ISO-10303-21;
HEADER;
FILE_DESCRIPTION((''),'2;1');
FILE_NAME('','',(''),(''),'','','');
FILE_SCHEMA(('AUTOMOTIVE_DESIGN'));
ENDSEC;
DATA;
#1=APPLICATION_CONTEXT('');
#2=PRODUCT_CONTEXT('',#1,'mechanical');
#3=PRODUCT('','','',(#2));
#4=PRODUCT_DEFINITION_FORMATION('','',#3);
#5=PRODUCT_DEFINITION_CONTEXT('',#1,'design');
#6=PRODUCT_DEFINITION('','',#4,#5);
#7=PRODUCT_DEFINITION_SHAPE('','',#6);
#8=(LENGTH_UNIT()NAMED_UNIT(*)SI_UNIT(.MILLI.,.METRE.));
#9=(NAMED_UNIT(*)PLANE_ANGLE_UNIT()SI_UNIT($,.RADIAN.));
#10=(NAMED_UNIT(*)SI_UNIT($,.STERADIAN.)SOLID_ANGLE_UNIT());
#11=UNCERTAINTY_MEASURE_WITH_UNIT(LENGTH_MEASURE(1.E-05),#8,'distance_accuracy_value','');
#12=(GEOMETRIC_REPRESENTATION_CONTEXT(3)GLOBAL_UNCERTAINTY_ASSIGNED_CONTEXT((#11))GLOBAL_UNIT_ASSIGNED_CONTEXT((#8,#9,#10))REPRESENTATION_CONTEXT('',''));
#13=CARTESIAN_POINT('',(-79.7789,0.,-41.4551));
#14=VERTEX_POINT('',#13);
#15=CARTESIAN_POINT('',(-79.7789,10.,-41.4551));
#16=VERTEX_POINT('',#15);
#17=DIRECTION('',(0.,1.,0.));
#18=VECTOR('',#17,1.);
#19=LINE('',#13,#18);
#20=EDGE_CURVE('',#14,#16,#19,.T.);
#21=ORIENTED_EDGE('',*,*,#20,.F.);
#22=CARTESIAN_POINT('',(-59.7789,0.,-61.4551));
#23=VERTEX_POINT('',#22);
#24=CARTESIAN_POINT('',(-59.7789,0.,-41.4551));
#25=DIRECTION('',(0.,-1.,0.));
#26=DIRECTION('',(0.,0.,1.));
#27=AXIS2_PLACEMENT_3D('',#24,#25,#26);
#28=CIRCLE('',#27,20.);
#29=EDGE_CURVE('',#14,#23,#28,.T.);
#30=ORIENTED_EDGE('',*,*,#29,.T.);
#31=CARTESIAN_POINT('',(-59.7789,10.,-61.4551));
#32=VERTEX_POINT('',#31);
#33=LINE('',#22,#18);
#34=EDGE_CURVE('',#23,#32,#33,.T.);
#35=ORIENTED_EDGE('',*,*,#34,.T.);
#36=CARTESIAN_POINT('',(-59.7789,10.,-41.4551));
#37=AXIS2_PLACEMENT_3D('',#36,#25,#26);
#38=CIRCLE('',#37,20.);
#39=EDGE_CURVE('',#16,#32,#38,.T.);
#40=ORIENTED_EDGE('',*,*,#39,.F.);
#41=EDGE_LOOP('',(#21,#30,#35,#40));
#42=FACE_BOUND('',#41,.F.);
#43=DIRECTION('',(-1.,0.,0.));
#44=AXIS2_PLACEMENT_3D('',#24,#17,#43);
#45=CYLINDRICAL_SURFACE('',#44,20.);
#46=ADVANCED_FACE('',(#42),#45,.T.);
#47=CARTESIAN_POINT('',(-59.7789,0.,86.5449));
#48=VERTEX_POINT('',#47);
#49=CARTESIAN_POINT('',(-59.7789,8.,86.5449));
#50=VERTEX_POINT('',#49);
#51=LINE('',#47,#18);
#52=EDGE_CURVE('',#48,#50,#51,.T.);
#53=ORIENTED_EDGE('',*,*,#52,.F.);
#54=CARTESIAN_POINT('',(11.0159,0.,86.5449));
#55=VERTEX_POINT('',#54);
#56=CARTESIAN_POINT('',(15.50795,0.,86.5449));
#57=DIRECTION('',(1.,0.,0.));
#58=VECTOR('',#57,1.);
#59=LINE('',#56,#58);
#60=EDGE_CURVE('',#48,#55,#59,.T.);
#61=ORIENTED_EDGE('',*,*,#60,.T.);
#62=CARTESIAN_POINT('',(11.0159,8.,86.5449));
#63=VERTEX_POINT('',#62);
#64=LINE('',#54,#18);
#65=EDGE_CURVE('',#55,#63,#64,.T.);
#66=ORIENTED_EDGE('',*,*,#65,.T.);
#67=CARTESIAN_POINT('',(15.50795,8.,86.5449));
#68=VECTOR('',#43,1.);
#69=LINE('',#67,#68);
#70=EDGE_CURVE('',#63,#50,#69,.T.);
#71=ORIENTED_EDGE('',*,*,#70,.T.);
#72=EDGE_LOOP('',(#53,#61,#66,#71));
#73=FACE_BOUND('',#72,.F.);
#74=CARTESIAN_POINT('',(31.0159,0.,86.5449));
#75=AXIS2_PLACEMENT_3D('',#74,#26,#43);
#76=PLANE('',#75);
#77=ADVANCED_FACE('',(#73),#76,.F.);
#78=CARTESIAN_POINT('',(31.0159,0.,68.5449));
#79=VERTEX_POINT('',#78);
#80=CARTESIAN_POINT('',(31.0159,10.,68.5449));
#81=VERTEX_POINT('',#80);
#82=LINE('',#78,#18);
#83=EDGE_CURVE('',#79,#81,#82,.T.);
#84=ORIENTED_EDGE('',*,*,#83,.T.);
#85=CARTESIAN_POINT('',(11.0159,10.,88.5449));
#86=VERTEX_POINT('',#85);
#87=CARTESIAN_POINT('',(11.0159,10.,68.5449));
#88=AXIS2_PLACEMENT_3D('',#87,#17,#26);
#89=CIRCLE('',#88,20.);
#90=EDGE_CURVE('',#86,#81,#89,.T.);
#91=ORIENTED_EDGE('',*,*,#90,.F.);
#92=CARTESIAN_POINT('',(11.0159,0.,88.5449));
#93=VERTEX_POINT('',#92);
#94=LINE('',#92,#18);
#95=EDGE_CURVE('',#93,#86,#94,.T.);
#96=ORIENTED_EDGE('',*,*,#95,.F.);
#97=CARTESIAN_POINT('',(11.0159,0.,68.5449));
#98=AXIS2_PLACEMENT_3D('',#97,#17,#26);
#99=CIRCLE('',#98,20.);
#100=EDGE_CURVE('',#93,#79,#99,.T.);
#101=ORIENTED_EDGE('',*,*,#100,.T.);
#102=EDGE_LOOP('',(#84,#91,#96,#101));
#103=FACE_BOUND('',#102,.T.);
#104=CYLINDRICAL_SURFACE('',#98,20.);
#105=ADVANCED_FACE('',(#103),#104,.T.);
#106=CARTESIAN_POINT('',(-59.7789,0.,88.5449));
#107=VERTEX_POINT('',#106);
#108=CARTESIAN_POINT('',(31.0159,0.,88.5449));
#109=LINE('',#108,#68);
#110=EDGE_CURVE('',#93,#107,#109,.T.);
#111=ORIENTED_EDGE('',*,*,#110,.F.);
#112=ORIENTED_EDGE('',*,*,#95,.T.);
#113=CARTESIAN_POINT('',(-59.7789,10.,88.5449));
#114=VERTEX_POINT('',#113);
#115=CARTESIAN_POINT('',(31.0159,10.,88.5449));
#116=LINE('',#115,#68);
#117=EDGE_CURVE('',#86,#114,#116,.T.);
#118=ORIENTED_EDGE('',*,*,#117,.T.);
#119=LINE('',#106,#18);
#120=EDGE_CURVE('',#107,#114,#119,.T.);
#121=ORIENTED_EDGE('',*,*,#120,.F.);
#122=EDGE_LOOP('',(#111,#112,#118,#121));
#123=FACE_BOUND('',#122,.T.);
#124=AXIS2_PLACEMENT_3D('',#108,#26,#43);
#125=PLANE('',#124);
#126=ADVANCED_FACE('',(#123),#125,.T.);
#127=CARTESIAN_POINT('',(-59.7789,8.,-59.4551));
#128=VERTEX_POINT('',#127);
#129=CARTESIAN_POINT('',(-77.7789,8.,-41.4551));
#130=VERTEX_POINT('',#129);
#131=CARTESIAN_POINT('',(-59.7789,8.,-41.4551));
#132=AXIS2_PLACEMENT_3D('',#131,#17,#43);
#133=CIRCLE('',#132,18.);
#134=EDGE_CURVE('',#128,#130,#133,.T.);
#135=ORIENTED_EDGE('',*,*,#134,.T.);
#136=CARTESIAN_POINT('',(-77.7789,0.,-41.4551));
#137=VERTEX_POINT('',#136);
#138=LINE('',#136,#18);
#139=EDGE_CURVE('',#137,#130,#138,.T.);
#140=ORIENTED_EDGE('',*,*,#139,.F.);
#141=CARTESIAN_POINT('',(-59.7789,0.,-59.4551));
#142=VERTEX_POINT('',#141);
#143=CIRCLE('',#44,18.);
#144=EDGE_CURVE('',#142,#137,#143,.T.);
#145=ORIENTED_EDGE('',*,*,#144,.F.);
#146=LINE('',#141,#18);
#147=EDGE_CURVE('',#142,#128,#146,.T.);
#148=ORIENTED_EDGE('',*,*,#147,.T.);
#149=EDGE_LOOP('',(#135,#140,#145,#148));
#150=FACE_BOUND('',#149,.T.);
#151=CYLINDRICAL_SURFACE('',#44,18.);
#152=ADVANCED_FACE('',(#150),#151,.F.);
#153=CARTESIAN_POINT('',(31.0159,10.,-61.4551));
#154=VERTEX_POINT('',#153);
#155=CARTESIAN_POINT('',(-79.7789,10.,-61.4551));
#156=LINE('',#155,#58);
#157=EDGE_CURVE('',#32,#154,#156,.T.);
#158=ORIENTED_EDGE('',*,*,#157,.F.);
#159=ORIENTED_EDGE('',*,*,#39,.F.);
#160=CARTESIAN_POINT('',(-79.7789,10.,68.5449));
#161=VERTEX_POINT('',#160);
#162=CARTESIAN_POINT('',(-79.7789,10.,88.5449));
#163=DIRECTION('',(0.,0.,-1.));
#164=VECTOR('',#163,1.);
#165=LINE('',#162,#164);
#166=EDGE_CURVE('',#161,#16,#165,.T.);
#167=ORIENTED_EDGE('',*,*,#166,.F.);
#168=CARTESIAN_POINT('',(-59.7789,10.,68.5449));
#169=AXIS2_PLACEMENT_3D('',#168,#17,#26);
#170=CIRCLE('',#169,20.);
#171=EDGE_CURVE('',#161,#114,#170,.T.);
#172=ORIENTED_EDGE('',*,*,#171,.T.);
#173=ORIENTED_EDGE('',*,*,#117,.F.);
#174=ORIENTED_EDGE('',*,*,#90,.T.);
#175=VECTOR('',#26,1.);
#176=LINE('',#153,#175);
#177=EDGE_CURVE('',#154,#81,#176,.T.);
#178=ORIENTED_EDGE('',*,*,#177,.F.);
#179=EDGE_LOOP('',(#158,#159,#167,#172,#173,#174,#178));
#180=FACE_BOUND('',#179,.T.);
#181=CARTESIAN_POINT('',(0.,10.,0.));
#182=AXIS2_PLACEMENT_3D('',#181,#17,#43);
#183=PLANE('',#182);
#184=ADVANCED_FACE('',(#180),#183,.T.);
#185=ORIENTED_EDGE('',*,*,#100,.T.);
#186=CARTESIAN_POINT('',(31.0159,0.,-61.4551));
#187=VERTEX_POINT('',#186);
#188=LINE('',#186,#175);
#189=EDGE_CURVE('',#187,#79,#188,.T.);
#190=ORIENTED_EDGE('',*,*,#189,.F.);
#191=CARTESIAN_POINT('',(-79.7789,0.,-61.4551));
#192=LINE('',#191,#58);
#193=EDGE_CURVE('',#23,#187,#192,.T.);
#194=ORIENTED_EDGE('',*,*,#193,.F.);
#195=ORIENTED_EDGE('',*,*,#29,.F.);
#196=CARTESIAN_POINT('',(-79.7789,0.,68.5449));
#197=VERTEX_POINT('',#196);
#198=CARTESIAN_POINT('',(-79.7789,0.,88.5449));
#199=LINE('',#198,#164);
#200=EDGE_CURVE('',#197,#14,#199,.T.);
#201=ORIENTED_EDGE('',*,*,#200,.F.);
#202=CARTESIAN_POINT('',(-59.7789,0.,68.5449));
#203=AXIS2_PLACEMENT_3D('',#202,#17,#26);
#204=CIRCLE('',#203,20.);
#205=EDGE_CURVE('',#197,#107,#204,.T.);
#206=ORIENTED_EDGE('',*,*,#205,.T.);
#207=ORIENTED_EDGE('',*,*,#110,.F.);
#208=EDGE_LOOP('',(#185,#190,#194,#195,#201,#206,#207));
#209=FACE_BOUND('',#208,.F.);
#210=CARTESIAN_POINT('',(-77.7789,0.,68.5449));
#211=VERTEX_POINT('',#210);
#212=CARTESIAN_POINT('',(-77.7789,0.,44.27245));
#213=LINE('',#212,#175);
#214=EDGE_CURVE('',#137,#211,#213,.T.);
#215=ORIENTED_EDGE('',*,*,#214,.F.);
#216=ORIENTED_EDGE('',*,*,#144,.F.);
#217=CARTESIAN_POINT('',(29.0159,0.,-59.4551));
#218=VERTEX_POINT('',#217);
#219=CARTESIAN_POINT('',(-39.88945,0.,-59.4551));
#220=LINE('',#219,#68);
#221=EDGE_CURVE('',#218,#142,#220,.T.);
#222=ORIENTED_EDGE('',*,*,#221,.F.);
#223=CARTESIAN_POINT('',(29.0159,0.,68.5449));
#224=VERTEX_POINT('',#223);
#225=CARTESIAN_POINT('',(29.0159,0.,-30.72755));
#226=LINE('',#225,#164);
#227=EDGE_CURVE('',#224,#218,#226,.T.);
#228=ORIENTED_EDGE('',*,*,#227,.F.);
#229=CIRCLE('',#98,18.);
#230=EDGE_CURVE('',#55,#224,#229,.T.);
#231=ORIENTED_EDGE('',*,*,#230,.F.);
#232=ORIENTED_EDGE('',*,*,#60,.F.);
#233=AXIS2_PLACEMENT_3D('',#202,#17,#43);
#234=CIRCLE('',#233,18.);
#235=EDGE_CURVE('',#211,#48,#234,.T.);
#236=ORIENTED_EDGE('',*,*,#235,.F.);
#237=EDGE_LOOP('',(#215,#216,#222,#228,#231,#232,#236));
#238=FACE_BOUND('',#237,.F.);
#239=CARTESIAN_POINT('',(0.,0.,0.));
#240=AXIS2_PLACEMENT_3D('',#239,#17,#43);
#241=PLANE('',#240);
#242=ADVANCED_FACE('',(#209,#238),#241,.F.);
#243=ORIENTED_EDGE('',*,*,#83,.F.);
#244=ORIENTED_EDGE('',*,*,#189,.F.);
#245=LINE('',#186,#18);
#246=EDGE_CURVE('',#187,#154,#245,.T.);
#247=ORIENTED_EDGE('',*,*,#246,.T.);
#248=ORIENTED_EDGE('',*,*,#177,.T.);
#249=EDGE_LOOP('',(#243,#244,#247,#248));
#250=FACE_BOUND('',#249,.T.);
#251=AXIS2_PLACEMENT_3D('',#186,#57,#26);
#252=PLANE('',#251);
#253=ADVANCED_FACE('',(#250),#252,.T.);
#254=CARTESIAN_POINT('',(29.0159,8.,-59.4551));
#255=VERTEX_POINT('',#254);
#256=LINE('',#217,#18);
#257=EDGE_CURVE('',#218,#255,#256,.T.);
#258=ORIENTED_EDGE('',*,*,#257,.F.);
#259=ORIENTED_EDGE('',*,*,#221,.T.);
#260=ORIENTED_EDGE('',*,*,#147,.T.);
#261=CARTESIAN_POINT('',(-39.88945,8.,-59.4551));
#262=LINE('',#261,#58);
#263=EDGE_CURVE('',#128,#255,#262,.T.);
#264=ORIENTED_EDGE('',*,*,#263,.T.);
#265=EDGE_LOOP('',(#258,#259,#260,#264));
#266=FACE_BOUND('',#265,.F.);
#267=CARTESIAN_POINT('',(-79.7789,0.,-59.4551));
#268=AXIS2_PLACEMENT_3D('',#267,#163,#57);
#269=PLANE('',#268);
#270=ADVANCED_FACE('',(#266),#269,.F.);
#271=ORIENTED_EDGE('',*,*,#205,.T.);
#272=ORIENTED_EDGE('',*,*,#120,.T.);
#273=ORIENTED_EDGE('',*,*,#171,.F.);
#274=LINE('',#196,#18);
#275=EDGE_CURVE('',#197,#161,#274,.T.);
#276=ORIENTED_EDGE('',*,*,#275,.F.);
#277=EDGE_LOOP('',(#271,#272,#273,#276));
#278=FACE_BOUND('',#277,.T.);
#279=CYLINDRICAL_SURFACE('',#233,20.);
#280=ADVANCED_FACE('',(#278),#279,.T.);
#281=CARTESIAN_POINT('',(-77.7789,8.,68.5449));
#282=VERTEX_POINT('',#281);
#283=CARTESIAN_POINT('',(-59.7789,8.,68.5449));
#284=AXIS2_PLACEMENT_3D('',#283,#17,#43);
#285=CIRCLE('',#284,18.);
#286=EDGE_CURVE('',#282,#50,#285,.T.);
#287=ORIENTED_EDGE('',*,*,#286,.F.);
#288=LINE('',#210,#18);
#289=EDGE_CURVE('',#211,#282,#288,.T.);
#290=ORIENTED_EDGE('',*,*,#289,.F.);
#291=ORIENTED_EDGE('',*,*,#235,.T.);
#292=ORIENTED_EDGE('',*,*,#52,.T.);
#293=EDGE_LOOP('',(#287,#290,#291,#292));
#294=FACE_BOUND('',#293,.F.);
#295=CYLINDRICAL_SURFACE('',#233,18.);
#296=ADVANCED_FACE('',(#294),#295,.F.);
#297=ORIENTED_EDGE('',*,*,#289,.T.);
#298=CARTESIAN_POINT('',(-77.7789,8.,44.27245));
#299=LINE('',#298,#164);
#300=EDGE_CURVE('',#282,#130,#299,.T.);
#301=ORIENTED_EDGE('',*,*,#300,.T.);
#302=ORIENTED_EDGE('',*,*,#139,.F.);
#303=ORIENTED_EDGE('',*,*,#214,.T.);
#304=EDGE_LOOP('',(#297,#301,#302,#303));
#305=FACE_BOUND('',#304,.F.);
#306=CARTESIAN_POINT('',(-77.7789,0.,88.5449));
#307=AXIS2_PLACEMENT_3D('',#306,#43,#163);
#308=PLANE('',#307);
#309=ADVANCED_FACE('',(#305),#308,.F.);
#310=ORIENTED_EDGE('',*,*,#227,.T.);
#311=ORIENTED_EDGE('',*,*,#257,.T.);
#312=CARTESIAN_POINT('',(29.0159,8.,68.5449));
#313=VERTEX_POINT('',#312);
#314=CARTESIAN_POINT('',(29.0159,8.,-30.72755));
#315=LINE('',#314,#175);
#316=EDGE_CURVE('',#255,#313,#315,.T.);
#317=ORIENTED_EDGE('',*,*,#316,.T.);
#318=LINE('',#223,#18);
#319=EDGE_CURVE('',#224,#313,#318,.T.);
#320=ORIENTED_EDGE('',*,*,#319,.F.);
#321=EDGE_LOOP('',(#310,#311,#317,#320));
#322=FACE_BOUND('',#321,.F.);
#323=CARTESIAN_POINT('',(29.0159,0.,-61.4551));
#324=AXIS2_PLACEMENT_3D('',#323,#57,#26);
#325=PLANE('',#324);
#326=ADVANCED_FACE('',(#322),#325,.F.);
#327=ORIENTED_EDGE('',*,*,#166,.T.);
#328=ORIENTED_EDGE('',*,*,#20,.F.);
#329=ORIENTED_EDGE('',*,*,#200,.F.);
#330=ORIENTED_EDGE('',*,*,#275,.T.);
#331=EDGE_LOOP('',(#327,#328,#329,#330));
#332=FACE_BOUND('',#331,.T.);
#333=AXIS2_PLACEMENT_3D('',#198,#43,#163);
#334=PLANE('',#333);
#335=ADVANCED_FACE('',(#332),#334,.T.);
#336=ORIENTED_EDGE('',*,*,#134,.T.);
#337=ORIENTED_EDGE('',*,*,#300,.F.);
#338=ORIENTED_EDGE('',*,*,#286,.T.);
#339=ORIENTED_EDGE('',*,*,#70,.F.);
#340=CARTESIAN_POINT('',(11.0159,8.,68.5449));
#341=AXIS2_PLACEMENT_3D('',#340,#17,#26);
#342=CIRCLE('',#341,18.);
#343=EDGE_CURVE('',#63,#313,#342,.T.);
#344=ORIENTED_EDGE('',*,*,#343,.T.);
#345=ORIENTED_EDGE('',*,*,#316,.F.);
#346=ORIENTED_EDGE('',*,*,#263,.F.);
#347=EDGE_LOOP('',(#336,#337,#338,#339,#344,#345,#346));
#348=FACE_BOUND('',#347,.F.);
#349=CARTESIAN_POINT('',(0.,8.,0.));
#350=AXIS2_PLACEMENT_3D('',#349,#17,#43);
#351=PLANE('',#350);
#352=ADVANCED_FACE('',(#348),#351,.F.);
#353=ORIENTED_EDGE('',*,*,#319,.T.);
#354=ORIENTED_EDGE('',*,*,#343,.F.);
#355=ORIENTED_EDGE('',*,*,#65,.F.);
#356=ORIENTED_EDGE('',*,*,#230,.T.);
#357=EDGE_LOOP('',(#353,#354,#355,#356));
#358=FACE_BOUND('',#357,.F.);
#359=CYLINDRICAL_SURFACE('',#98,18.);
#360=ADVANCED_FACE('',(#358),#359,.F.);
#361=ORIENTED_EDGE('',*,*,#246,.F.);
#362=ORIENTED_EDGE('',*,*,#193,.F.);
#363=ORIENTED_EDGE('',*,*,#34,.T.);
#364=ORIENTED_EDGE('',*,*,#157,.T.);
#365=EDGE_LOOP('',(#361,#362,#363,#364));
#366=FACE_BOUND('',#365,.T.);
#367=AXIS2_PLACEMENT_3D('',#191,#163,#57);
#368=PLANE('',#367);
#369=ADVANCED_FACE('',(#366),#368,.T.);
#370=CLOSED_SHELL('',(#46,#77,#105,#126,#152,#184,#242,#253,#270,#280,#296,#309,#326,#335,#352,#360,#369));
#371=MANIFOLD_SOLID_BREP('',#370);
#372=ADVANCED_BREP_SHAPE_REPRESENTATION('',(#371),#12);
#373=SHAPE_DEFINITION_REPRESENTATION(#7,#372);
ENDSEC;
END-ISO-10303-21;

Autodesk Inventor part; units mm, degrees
ref_plane "YZ Plane" through (0, 0, 0) normal (1, 0, 0) x (0, 1, 0)
ref_plane "XZ Plane" through (0, 0, 0) normal (0, 1, 0) x (-1, 0, 0)
ref_plane "XY Plane" through (0, 0, 0) normal (0, 0, 1) x (1, 0, 0)
sketch "Sketch1" plane through (0, 0, 0) normal (0, 1, 0) x (-1, 0, 0)
  line L0 (79.7789, 88.5449) -> (79.7789, -61.4551)
  line L1 (79.7789, -61.4551) -> (-31.0159, -61.4551)
  line L2 (-31.0159, -61.4551) -> (-31.0159, 88.5449)
  line L3 (-31.0159, 88.5449) -> (79.7789, 88.5449)
  point P0 (0, 0)
  dimension "d0" = 150
  dimension "d1" = 110.7948
extrude "Body" add sketch "Sketch1" along normal blind 10
fillet "Fillet6" radius 20 1 edges at (-79.7789, 5, -61.4551)
fillet "Fillet4" radius 20 1 edges at (-79.7789, 5, 88.5449)
fillet "Fillet2" radius 20 1 edges at (31.0159, 5, 88.5449)
shell "Shell2" thickness 2 removed faces 1 at (-42.8473, 0, 31.8782)
properties part number "picaseV2lid"
